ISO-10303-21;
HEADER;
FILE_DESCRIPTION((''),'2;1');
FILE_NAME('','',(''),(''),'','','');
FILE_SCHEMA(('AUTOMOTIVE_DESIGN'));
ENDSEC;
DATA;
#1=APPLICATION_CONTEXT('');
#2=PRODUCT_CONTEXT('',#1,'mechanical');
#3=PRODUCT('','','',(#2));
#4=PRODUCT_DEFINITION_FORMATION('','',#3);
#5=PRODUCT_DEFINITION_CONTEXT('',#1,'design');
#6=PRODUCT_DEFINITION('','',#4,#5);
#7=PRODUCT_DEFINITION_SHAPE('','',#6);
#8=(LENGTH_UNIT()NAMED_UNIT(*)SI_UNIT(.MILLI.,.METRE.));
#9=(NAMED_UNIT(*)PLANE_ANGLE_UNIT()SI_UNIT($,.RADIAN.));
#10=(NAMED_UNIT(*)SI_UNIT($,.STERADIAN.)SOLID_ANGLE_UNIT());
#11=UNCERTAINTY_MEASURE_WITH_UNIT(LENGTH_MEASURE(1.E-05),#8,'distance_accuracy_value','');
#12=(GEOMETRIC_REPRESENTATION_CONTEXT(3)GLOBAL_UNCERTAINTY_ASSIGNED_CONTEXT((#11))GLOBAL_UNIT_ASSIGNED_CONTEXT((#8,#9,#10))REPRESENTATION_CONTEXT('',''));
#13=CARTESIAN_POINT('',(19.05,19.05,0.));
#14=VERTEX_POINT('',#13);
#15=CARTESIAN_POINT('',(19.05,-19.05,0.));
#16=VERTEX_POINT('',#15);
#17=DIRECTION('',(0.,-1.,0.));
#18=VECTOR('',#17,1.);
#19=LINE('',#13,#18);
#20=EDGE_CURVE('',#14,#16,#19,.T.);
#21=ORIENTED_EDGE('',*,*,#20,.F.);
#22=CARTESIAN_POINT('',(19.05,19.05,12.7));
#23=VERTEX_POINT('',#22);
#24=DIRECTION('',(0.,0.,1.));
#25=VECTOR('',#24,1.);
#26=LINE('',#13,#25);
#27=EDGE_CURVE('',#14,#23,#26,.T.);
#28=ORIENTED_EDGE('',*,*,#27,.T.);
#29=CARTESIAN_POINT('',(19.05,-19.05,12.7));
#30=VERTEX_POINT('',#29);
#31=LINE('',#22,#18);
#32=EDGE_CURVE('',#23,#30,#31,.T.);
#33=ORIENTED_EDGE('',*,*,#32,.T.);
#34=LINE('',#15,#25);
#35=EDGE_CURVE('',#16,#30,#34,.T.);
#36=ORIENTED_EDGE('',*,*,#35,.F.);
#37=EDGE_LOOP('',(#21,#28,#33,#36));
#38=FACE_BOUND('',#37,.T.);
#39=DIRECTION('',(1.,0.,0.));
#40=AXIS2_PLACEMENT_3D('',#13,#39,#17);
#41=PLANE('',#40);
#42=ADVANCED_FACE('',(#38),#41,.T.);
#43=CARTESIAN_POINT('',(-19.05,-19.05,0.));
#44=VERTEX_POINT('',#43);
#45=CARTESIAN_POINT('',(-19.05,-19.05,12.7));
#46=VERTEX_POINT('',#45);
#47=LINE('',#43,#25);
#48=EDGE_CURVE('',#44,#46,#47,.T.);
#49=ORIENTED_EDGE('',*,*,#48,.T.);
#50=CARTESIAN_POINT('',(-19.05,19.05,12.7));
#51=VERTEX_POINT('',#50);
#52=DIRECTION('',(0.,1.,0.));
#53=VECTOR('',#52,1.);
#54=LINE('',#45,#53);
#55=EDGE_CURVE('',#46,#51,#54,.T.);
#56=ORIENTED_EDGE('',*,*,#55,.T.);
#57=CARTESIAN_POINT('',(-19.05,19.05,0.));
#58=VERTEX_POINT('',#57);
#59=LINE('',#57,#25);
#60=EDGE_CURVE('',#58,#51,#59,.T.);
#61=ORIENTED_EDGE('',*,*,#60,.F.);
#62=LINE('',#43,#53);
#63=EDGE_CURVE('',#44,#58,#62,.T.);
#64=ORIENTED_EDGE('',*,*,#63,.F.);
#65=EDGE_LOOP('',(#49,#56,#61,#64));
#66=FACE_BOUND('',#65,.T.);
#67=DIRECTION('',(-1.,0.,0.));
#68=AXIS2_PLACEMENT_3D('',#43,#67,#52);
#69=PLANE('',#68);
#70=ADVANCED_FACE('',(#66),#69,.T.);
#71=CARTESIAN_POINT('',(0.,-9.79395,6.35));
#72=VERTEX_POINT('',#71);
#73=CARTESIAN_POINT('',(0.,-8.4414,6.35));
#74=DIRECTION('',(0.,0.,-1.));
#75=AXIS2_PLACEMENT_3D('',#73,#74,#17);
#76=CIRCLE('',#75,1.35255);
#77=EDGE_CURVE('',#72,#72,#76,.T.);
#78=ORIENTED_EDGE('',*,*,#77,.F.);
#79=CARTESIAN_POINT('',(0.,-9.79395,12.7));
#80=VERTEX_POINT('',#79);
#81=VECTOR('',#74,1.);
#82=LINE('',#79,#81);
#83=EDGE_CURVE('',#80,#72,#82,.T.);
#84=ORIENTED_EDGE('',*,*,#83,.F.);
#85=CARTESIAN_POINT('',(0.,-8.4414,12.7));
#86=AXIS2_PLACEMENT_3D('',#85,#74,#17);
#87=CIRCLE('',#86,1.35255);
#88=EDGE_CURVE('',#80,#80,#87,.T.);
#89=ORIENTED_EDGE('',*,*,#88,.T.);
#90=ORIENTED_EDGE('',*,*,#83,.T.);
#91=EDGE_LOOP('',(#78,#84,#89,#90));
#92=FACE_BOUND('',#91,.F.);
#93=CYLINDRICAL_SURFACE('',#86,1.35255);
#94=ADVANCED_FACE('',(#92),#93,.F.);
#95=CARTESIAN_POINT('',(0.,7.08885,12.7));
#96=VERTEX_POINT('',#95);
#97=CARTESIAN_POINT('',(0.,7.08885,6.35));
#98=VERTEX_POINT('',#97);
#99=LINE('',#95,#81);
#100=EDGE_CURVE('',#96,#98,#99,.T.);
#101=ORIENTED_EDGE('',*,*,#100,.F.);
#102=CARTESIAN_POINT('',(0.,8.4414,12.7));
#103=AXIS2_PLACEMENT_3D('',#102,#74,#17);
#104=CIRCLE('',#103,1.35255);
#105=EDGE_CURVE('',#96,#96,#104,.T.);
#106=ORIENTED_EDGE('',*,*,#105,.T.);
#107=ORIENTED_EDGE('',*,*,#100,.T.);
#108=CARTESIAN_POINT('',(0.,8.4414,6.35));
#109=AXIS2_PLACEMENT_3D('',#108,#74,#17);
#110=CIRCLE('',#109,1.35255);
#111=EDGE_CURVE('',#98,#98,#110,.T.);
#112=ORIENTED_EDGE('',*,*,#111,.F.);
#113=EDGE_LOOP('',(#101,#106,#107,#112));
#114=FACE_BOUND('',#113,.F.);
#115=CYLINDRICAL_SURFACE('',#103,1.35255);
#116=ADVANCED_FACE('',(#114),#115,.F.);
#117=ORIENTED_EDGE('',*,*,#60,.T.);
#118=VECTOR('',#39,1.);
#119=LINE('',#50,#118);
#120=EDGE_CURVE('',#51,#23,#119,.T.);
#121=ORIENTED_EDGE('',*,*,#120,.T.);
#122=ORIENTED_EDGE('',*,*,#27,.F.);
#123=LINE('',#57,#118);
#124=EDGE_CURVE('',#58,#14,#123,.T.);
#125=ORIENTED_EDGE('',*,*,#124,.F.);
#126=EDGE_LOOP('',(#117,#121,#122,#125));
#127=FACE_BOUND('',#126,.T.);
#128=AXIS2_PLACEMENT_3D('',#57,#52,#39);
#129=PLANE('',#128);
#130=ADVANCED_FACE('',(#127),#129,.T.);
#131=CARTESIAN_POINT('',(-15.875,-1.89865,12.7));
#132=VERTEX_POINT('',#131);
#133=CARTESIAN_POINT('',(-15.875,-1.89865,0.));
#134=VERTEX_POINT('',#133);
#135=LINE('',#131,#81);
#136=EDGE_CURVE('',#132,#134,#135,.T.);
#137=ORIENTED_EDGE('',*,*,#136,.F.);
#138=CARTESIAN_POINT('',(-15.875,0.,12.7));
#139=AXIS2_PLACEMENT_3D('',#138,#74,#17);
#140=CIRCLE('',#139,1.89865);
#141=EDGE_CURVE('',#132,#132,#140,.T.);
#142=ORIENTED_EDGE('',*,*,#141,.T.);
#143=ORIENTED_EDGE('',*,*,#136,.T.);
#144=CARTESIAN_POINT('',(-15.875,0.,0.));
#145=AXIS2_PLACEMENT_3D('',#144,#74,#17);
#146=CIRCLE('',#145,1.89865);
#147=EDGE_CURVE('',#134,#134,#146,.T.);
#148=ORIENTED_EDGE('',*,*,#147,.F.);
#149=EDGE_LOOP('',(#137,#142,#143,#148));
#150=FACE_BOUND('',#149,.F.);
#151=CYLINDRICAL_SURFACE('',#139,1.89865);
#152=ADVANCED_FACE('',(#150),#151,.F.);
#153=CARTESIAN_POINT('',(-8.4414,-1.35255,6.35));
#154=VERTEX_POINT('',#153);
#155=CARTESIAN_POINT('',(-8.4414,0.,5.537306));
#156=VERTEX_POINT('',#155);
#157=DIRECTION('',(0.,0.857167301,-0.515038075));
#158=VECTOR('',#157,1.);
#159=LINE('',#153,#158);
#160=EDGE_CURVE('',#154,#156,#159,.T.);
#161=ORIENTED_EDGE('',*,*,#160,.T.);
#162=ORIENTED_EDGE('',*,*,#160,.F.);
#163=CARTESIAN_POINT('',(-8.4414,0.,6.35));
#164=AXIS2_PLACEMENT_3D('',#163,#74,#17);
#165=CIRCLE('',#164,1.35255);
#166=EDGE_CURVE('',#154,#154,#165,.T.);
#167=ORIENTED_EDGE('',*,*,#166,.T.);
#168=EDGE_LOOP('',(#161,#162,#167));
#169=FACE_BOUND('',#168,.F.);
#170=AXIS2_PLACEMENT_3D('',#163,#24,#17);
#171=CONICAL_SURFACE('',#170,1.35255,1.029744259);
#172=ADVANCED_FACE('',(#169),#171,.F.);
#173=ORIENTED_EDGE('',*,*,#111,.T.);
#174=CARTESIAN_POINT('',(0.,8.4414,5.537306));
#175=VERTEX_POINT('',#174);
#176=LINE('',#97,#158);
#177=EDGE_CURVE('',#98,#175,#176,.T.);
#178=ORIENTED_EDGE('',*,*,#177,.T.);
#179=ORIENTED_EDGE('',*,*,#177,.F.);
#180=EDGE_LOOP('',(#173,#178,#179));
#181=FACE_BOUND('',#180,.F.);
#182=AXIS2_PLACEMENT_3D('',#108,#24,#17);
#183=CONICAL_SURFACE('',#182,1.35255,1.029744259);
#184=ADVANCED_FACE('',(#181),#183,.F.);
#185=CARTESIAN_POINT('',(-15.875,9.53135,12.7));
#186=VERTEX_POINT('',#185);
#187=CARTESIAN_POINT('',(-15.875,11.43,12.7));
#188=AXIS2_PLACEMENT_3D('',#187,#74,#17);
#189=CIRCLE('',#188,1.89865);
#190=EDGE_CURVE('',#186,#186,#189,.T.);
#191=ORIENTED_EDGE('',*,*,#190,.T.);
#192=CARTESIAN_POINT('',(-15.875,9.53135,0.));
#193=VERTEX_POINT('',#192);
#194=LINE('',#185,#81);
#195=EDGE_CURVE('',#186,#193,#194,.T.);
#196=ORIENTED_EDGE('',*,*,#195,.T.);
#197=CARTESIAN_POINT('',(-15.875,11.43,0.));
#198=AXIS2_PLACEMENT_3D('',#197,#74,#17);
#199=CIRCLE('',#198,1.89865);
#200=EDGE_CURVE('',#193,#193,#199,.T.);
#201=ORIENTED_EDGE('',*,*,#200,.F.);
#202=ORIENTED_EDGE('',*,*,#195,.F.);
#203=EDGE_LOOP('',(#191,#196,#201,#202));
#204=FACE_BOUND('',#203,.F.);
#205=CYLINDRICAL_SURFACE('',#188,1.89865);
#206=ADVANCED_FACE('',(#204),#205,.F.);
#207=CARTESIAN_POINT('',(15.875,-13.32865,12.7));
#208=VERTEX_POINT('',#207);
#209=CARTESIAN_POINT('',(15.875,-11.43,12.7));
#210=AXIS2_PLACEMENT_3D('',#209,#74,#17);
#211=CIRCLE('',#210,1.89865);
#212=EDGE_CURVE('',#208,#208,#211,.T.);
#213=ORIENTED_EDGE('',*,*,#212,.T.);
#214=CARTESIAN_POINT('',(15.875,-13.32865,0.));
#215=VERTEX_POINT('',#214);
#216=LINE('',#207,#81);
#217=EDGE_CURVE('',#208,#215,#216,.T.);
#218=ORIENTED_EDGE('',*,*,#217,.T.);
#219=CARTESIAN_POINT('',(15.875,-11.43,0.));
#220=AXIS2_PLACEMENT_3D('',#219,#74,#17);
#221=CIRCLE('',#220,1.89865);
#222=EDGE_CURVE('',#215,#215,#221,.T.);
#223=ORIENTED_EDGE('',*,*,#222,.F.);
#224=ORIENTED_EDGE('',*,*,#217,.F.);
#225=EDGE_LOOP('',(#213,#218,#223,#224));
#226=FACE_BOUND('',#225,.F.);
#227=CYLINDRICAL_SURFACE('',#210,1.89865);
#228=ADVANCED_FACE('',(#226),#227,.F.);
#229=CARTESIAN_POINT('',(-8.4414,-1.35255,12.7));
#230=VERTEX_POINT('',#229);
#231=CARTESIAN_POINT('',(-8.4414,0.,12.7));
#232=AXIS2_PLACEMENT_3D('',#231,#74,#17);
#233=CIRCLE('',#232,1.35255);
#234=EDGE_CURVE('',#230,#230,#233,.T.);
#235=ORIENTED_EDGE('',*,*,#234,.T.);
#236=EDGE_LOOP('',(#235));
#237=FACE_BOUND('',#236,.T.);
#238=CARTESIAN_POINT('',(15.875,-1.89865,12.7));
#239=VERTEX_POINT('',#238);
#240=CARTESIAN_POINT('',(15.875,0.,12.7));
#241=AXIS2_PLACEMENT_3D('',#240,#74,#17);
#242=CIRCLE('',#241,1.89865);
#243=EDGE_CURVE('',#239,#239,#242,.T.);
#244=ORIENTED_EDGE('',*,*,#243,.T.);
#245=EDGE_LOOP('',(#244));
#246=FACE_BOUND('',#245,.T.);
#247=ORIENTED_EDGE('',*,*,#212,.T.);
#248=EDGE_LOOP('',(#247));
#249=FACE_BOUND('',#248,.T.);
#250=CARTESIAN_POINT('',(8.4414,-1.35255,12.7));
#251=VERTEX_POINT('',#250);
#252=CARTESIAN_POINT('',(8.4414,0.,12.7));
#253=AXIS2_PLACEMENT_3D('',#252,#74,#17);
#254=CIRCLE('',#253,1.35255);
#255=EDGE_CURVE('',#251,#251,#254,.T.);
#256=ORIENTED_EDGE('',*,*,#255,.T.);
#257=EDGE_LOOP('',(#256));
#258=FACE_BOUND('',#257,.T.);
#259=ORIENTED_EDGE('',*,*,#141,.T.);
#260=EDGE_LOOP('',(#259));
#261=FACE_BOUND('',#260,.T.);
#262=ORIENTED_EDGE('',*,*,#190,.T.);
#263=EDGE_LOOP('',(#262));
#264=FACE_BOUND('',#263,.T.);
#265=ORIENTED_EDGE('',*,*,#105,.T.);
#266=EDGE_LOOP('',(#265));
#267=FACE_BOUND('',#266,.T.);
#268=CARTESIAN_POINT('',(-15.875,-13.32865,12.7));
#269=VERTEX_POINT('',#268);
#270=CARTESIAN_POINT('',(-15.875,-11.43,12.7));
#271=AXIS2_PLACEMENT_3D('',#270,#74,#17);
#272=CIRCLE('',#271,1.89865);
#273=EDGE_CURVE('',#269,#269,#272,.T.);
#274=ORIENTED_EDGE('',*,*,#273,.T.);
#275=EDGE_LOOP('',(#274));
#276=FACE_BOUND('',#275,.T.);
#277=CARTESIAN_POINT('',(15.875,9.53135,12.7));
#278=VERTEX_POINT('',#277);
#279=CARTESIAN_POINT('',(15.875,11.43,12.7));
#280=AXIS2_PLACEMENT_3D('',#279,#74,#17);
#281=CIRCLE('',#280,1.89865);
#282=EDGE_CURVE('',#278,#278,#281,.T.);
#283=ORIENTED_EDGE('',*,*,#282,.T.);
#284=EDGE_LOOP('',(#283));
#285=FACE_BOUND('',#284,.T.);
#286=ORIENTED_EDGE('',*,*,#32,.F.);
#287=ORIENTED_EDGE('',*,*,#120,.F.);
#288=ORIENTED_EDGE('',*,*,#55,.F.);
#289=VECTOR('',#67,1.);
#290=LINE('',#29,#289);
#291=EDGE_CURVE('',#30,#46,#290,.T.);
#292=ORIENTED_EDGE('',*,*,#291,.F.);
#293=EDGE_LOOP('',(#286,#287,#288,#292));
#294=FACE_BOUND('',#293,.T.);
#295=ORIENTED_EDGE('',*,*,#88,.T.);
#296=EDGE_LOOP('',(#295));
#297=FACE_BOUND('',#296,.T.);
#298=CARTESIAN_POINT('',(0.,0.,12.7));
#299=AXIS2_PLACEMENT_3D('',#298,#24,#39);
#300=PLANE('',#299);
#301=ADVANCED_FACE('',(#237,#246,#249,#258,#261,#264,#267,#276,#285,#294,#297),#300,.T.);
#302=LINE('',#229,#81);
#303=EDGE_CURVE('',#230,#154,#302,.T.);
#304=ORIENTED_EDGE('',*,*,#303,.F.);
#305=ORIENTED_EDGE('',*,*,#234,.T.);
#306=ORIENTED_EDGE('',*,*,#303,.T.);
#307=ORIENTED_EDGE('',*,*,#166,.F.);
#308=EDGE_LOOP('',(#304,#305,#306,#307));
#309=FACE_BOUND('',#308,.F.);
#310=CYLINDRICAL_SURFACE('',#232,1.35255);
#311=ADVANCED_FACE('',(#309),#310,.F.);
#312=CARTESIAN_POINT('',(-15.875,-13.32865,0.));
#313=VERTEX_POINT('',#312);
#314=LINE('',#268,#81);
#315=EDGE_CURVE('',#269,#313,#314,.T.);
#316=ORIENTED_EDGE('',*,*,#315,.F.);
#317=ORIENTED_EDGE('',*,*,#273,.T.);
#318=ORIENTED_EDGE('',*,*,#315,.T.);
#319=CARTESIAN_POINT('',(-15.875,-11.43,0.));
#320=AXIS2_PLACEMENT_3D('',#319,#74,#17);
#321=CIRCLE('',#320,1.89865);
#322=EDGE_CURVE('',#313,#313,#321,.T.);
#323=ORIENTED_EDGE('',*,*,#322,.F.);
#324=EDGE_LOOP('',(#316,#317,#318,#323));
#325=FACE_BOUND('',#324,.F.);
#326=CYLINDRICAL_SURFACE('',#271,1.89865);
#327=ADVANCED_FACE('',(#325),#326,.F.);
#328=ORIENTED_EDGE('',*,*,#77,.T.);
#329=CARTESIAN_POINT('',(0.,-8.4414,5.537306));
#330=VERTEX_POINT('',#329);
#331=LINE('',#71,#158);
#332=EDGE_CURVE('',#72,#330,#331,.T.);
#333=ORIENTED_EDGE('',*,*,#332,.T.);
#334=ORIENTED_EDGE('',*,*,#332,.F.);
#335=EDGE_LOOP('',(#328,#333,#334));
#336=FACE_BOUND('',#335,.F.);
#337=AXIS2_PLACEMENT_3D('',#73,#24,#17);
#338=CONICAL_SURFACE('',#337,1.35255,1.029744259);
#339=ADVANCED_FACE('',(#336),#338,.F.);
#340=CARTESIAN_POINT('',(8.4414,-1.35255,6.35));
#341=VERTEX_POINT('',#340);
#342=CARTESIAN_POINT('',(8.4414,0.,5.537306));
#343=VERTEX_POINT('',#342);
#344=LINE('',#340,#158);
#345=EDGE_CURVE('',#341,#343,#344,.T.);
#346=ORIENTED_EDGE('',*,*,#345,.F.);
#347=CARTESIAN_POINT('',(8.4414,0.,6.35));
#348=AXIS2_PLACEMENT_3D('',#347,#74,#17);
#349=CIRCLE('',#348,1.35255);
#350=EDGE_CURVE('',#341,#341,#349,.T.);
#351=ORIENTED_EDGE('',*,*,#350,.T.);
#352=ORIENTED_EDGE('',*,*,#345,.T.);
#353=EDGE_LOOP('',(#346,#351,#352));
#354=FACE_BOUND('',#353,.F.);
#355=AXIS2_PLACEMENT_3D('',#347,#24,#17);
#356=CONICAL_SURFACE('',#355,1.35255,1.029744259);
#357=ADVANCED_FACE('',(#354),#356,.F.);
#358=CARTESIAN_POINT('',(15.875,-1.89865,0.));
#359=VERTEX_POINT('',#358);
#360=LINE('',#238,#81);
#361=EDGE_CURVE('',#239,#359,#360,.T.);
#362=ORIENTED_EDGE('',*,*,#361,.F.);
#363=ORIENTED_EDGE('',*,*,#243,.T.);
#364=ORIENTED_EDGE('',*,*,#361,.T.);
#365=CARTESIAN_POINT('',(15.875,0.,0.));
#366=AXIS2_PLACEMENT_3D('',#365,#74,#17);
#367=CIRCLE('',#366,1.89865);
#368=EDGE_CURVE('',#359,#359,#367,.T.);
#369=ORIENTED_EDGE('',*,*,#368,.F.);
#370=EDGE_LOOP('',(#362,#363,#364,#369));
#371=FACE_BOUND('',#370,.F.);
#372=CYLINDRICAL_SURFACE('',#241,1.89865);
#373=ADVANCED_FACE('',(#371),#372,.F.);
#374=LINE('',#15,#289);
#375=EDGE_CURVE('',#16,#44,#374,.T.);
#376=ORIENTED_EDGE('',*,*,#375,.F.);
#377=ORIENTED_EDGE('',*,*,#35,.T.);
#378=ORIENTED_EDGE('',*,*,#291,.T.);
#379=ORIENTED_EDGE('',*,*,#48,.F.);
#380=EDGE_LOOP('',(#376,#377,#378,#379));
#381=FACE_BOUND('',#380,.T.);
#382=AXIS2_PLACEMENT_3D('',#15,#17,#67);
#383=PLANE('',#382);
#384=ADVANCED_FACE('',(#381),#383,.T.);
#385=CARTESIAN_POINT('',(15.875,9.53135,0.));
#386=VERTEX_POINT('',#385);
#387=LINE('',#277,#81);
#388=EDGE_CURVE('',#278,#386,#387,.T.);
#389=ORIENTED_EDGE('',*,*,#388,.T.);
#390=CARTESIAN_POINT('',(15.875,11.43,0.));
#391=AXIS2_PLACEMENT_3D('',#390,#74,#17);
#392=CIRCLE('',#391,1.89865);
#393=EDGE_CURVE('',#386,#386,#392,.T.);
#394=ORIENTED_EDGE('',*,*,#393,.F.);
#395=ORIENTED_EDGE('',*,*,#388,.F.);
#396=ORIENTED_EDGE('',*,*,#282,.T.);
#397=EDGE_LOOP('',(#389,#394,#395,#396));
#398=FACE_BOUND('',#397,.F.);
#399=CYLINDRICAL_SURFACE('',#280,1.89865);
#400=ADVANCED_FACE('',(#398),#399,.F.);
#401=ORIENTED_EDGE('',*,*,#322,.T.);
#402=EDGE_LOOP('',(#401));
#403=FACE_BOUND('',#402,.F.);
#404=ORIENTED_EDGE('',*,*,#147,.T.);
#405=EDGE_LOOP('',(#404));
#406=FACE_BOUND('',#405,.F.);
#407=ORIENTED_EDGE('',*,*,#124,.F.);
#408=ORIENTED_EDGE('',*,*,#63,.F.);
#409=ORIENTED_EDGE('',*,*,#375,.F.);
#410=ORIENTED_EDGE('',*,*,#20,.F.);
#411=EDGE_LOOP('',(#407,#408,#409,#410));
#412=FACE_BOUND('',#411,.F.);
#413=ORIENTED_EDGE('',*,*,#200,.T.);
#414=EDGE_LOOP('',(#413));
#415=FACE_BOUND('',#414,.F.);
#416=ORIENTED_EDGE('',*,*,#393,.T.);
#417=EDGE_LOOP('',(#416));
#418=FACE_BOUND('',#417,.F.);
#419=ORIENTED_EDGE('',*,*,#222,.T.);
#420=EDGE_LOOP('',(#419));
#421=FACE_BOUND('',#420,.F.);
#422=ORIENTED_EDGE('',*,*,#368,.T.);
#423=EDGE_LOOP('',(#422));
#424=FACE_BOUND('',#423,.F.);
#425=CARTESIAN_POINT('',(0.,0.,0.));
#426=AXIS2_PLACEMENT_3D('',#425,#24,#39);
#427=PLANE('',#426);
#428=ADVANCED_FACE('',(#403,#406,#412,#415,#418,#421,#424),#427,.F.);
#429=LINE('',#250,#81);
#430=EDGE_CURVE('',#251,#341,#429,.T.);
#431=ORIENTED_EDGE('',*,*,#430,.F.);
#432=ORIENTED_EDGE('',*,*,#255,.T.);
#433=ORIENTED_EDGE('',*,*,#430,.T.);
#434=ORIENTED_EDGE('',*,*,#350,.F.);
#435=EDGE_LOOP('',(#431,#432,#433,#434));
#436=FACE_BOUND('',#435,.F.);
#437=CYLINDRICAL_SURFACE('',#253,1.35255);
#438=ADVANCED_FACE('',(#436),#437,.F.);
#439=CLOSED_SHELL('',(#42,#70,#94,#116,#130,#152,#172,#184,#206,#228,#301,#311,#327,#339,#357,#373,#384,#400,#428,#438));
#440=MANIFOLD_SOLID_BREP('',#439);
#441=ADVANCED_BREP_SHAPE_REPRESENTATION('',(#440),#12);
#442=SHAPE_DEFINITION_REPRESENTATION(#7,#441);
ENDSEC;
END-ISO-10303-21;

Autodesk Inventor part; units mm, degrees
ref_plane "YZ Plane" through (0, 0, 0) normal (1, 0, 0) x (0, 1, 0)
ref_plane "XZ Plane" through (0, 0, 0) normal (0, 1, 0) x (-1, 0, 0)
ref_plane "XY Plane" through (0, 0, 0) normal (0, 0, 1) x (1, 0, 0)
sketch "Sketch1" plane through (0, 0, 0) normal (0, 0, 1) x (1, 0, 0)
  line L0 (19.05, -19.05) -> (-19.05, -19.05)
  line L1 (-19.05, -19.05) -> (-19.05, 19.05)
  line L2 (-19.05, 19.05) -> (19.05, 19.05)
  line L3 (19.05, 19.05) -> (19.05, -19.05)
  line L4 (19.05, -19.05) -> (-19.05, 19.05) construction
  line L5 (-19.05, -19.05) -> (19.05, 19.05) construction
  point P0 (0, 0)
  dimension "d0" = 38.1
  dimension "d1" = 38.1
extrude "Extrusion1" add sketch "Sketch1" along normal blind 12.7
sketch "Sketch4" plane through (0, 0, 12.7) normal (0, 0, 1) x (1, 0, 0)
  point P0 (0, 0)
sketch "Sketch5" plane through (0, 0, 12.7) normal (0, 0, 1) x (1, 0, 0)
  line L0 (-19.05, -19.05) -> (19.05, -19.05) construction
  line L1 (19.05, -19.05) -> (19.05, 19.05) construction
  line L2 (19.05, 19.05) -> (-19.05, 19.05) construction
  line L3 (-19.05, 19.05) -> (-19.05, -19.05) construction
  line L4 (15.875, -11.43) -> (-15.875, -11.43) construction
  line L5 (-15.875, -11.43) -> (-15.875, 11.43) construction
  line L6 (-15.875, 11.43) -> (15.875, 11.43) construction
  line L7 (15.875, 11.43) -> (15.875, -11.43) construction
  line L8 (15.875, -11.43) -> (-15.875, 11.43) construction
  line L9 (-15.875, -11.43) -> (15.875, 11.43) construction
  line L10 (11.43, -15.875) -> (-11.43, -15.875) construction
  line L11 (-11.43, -15.875) -> (-11.43, 15.875) construction
  line L12 (-11.43, 15.875) -> (11.43, 15.875) construction
  line L13 (11.43, 15.875) -> (11.43, -15.875) construction
  line L14 (11.43, -15.875) -> (-11.43, 15.875) construction
  line L15 (-11.43, -15.875) -> (11.43, 15.875) construction
  line L16 (0, -8.4414) -> (8.4414, 0) construction
  line L17 (8.4414, 0) -> (0, 8.4414) construction
  line L18 (0, 8.4414) -> (-8.4414, 0) construction
  line L19 (-8.4414, 0) -> (0, -8.4414) construction
  line L20 (-5.969, -5.969) -> (5.969, 5.969) construction
  line L21 (5.969, -5.969) -> (-5.969, 5.969) construction
  line L22 (-8.4414, -8.4414) -> (8.4414, -8.4414) construction
  line L23 (8.4414, -8.4414) -> (8.4414, 8.4414) construction
  line L24 (8.4414, 8.4414) -> (-8.4414, 8.4414) construction
  line L25 (-8.4414, 8.4414) -> (-8.4414, -8.4414) construction
  line L26 (-8.4414, -8.4414) -> (8.4414, 8.4414) construction
  line L27 (8.4414, -8.4414) -> (-8.4414, 8.4414) construction
  point P0 (0, 0)
  point P1 (0, 8.4414)
  point P2 (8.4414, 0)
  point P3 (-15.875, 0)
  point P4 (15.875, 0)
  point P5 (-15.875, 0)
  point P6 (-15.875, 0)
  point P7 (15.875, 0)
  dimension "d46" = 31.75
  dimension "d47" = 22.86
  dimension "d48" = 22.86
  dimension "d49" = 31.75
  dimension "d50" = 11.938
  dimension "d51" = 11.938
  dimension "d52" = 16.8829
  dimension "d53" = 16.8829
  dimension "d54" = 4.445
  dimension "d55" = 7.4336
  dimension "d56" = 5.969
  dimension "d57" = 5.969
  dimension "d58" = 4.445
  dimension "d59" = 7.4336
  dimension "d60" = 9.906
  dimension "d61" = 9.906
  dimension "d62" = 21.844
  dimension "d63" = 21.844
  dimension "d64" = 3.175
  dimension "d65" = 3.175
hole "Hole2" at (-15.875, -11.43, 12.7) at (15.875, -11.43, 12.7) at (15.875, 0, 12.7) at (-15.875, 0, 12.7) at (-15.875, 11.43, 12.7) at (15.875, 11.43, 12.7) direction (0, 0, -1) diameter 3.7973 end through all
sketch "Sketch6" plane through (0, 0, 12.7) normal (0, 0, 1) x (1, 0, 0)
  circle A0 centre (-15.875, 11.43) radius 1.8986 construction
  circle A1 centre (15.875, 0) radius 1.8986 construction
  circle A2 centre (-15.875, -11.43) radius 1.8986 construction
  circle A3 centre (15.875, -11.43) radius 1.8986 construction
  circle A4 centre (-15.875, 0) radius 1.8986 construction
  circle A5 centre (15.875, 11.43) radius 1.8986 construction
  line L0 (-19.05, -19.05) -> (19.05, -19.05) construction
  line L1 (19.05, -19.05) -> (19.05, 19.05) construction
  line L2 (19.05, 19.05) -> (-19.05, 19.05) construction
  line L3 (-19.05, 19.05) -> (-19.05, -19.05) construction
  line L4 (15.875, -11.43) -> (-15.875, -11.43) construction
  line L5 (-15.875, -11.43) -> (-15.875, 11.43) construction
  line L6 (-15.875, 11.43) -> (15.875, 11.43) construction
  line L7 (15.875, 11.43) -> (15.875, -11.43) construction
  line L8 (15.875, -11.43) -> (-15.875, 11.43) construction
  line L9 (-15.875, -11.43) -> (15.875, 11.43) construction
  line L10 (11.43, -15.875) -> (-11.43, -15.875) construction
  line L11 (-11.43, -15.875) -> (-11.43, 15.875) construction
  line L12 (-11.43, 15.875) -> (11.43, 15.875) construction
  line L13 (11.43, 15.875) -> (11.43, -15.875) construction
  line L14 (11.43, -15.875) -> (-11.43, 15.875) construction
  line L15 (-11.43, -15.875) -> (11.43, 15.875) construction
  line L16 (0, -8.4414) -> (8.4414, 0) construction
  line L17 (8.4414, 0) -> (0, 8.4414) construction
  line L18 (0, 8.4414) -> (-8.4414, 0) construction
  line L19 (-8.4414, 0) -> (0, -8.4414) construction
  line L20 (-5.969, -5.969) -> (5.969, 5.969) construction
  line L21 (5.969, -5.969) -> (-5.969, 5.969) construction
  line L22 (-8.4414, -8.4414) -> (8.4414, -8.4414) construction
  line L23 (8.4414, -8.4414) -> (8.4414, 8.4414) construction
  line L24 (8.4414, 8.4414) -> (-8.4414, 8.4414) construction
  line L25 (-8.4414, 8.4414) -> (-8.4414, -8.4414) construction
  line L26 (-8.4414, -8.4414) -> (8.4414, 8.4414) construction
  line L27 (8.4414, -8.4414) -> (-8.4414, 8.4414) construction
  point P0 (0, 0)
  point P1 (0, 8.4414)
  point P2 (8.4414, 0)
  point P3 (8.4414, 0)
  dimension "d73" = 31.75
  dimension "d74" = 22.86
  dimension "d75" = 22.86
  dimension "d76" = 31.75
  dimension "d77" = 11.938
  dimension "d78" = 11.938
  dimension "d79" = 16.8829
  dimension "d80" = 16.8829
  dimension "d81" = 4.445
  dimension "d82" = 7.4336
  dimension "d83" = 5.969
  dimension "d84" = 5.969
  dimension "d85" = 4.445
  dimension "d86" = 7.4336
  dimension "d87" = 9.906
  dimension "d88" = 9.906
  dimension "d89" = 21.844
  dimension "d90" = 21.844
  dimension "d91" = 3.175
  dimension "d92" = 3.175
hole "Hole3" at (-8.4414, 0, 12.7) at (0, 8.4414, 12.7) at (8.4414, 0, 12.7) at (0, -8.4414, 12.7) direction (0, 0, -1) diameter 2.7051 depth 6.35 tip angle 118
properties part number "goniometer_stage_standoff_v1" material "Stainless Steel AISI 304"
